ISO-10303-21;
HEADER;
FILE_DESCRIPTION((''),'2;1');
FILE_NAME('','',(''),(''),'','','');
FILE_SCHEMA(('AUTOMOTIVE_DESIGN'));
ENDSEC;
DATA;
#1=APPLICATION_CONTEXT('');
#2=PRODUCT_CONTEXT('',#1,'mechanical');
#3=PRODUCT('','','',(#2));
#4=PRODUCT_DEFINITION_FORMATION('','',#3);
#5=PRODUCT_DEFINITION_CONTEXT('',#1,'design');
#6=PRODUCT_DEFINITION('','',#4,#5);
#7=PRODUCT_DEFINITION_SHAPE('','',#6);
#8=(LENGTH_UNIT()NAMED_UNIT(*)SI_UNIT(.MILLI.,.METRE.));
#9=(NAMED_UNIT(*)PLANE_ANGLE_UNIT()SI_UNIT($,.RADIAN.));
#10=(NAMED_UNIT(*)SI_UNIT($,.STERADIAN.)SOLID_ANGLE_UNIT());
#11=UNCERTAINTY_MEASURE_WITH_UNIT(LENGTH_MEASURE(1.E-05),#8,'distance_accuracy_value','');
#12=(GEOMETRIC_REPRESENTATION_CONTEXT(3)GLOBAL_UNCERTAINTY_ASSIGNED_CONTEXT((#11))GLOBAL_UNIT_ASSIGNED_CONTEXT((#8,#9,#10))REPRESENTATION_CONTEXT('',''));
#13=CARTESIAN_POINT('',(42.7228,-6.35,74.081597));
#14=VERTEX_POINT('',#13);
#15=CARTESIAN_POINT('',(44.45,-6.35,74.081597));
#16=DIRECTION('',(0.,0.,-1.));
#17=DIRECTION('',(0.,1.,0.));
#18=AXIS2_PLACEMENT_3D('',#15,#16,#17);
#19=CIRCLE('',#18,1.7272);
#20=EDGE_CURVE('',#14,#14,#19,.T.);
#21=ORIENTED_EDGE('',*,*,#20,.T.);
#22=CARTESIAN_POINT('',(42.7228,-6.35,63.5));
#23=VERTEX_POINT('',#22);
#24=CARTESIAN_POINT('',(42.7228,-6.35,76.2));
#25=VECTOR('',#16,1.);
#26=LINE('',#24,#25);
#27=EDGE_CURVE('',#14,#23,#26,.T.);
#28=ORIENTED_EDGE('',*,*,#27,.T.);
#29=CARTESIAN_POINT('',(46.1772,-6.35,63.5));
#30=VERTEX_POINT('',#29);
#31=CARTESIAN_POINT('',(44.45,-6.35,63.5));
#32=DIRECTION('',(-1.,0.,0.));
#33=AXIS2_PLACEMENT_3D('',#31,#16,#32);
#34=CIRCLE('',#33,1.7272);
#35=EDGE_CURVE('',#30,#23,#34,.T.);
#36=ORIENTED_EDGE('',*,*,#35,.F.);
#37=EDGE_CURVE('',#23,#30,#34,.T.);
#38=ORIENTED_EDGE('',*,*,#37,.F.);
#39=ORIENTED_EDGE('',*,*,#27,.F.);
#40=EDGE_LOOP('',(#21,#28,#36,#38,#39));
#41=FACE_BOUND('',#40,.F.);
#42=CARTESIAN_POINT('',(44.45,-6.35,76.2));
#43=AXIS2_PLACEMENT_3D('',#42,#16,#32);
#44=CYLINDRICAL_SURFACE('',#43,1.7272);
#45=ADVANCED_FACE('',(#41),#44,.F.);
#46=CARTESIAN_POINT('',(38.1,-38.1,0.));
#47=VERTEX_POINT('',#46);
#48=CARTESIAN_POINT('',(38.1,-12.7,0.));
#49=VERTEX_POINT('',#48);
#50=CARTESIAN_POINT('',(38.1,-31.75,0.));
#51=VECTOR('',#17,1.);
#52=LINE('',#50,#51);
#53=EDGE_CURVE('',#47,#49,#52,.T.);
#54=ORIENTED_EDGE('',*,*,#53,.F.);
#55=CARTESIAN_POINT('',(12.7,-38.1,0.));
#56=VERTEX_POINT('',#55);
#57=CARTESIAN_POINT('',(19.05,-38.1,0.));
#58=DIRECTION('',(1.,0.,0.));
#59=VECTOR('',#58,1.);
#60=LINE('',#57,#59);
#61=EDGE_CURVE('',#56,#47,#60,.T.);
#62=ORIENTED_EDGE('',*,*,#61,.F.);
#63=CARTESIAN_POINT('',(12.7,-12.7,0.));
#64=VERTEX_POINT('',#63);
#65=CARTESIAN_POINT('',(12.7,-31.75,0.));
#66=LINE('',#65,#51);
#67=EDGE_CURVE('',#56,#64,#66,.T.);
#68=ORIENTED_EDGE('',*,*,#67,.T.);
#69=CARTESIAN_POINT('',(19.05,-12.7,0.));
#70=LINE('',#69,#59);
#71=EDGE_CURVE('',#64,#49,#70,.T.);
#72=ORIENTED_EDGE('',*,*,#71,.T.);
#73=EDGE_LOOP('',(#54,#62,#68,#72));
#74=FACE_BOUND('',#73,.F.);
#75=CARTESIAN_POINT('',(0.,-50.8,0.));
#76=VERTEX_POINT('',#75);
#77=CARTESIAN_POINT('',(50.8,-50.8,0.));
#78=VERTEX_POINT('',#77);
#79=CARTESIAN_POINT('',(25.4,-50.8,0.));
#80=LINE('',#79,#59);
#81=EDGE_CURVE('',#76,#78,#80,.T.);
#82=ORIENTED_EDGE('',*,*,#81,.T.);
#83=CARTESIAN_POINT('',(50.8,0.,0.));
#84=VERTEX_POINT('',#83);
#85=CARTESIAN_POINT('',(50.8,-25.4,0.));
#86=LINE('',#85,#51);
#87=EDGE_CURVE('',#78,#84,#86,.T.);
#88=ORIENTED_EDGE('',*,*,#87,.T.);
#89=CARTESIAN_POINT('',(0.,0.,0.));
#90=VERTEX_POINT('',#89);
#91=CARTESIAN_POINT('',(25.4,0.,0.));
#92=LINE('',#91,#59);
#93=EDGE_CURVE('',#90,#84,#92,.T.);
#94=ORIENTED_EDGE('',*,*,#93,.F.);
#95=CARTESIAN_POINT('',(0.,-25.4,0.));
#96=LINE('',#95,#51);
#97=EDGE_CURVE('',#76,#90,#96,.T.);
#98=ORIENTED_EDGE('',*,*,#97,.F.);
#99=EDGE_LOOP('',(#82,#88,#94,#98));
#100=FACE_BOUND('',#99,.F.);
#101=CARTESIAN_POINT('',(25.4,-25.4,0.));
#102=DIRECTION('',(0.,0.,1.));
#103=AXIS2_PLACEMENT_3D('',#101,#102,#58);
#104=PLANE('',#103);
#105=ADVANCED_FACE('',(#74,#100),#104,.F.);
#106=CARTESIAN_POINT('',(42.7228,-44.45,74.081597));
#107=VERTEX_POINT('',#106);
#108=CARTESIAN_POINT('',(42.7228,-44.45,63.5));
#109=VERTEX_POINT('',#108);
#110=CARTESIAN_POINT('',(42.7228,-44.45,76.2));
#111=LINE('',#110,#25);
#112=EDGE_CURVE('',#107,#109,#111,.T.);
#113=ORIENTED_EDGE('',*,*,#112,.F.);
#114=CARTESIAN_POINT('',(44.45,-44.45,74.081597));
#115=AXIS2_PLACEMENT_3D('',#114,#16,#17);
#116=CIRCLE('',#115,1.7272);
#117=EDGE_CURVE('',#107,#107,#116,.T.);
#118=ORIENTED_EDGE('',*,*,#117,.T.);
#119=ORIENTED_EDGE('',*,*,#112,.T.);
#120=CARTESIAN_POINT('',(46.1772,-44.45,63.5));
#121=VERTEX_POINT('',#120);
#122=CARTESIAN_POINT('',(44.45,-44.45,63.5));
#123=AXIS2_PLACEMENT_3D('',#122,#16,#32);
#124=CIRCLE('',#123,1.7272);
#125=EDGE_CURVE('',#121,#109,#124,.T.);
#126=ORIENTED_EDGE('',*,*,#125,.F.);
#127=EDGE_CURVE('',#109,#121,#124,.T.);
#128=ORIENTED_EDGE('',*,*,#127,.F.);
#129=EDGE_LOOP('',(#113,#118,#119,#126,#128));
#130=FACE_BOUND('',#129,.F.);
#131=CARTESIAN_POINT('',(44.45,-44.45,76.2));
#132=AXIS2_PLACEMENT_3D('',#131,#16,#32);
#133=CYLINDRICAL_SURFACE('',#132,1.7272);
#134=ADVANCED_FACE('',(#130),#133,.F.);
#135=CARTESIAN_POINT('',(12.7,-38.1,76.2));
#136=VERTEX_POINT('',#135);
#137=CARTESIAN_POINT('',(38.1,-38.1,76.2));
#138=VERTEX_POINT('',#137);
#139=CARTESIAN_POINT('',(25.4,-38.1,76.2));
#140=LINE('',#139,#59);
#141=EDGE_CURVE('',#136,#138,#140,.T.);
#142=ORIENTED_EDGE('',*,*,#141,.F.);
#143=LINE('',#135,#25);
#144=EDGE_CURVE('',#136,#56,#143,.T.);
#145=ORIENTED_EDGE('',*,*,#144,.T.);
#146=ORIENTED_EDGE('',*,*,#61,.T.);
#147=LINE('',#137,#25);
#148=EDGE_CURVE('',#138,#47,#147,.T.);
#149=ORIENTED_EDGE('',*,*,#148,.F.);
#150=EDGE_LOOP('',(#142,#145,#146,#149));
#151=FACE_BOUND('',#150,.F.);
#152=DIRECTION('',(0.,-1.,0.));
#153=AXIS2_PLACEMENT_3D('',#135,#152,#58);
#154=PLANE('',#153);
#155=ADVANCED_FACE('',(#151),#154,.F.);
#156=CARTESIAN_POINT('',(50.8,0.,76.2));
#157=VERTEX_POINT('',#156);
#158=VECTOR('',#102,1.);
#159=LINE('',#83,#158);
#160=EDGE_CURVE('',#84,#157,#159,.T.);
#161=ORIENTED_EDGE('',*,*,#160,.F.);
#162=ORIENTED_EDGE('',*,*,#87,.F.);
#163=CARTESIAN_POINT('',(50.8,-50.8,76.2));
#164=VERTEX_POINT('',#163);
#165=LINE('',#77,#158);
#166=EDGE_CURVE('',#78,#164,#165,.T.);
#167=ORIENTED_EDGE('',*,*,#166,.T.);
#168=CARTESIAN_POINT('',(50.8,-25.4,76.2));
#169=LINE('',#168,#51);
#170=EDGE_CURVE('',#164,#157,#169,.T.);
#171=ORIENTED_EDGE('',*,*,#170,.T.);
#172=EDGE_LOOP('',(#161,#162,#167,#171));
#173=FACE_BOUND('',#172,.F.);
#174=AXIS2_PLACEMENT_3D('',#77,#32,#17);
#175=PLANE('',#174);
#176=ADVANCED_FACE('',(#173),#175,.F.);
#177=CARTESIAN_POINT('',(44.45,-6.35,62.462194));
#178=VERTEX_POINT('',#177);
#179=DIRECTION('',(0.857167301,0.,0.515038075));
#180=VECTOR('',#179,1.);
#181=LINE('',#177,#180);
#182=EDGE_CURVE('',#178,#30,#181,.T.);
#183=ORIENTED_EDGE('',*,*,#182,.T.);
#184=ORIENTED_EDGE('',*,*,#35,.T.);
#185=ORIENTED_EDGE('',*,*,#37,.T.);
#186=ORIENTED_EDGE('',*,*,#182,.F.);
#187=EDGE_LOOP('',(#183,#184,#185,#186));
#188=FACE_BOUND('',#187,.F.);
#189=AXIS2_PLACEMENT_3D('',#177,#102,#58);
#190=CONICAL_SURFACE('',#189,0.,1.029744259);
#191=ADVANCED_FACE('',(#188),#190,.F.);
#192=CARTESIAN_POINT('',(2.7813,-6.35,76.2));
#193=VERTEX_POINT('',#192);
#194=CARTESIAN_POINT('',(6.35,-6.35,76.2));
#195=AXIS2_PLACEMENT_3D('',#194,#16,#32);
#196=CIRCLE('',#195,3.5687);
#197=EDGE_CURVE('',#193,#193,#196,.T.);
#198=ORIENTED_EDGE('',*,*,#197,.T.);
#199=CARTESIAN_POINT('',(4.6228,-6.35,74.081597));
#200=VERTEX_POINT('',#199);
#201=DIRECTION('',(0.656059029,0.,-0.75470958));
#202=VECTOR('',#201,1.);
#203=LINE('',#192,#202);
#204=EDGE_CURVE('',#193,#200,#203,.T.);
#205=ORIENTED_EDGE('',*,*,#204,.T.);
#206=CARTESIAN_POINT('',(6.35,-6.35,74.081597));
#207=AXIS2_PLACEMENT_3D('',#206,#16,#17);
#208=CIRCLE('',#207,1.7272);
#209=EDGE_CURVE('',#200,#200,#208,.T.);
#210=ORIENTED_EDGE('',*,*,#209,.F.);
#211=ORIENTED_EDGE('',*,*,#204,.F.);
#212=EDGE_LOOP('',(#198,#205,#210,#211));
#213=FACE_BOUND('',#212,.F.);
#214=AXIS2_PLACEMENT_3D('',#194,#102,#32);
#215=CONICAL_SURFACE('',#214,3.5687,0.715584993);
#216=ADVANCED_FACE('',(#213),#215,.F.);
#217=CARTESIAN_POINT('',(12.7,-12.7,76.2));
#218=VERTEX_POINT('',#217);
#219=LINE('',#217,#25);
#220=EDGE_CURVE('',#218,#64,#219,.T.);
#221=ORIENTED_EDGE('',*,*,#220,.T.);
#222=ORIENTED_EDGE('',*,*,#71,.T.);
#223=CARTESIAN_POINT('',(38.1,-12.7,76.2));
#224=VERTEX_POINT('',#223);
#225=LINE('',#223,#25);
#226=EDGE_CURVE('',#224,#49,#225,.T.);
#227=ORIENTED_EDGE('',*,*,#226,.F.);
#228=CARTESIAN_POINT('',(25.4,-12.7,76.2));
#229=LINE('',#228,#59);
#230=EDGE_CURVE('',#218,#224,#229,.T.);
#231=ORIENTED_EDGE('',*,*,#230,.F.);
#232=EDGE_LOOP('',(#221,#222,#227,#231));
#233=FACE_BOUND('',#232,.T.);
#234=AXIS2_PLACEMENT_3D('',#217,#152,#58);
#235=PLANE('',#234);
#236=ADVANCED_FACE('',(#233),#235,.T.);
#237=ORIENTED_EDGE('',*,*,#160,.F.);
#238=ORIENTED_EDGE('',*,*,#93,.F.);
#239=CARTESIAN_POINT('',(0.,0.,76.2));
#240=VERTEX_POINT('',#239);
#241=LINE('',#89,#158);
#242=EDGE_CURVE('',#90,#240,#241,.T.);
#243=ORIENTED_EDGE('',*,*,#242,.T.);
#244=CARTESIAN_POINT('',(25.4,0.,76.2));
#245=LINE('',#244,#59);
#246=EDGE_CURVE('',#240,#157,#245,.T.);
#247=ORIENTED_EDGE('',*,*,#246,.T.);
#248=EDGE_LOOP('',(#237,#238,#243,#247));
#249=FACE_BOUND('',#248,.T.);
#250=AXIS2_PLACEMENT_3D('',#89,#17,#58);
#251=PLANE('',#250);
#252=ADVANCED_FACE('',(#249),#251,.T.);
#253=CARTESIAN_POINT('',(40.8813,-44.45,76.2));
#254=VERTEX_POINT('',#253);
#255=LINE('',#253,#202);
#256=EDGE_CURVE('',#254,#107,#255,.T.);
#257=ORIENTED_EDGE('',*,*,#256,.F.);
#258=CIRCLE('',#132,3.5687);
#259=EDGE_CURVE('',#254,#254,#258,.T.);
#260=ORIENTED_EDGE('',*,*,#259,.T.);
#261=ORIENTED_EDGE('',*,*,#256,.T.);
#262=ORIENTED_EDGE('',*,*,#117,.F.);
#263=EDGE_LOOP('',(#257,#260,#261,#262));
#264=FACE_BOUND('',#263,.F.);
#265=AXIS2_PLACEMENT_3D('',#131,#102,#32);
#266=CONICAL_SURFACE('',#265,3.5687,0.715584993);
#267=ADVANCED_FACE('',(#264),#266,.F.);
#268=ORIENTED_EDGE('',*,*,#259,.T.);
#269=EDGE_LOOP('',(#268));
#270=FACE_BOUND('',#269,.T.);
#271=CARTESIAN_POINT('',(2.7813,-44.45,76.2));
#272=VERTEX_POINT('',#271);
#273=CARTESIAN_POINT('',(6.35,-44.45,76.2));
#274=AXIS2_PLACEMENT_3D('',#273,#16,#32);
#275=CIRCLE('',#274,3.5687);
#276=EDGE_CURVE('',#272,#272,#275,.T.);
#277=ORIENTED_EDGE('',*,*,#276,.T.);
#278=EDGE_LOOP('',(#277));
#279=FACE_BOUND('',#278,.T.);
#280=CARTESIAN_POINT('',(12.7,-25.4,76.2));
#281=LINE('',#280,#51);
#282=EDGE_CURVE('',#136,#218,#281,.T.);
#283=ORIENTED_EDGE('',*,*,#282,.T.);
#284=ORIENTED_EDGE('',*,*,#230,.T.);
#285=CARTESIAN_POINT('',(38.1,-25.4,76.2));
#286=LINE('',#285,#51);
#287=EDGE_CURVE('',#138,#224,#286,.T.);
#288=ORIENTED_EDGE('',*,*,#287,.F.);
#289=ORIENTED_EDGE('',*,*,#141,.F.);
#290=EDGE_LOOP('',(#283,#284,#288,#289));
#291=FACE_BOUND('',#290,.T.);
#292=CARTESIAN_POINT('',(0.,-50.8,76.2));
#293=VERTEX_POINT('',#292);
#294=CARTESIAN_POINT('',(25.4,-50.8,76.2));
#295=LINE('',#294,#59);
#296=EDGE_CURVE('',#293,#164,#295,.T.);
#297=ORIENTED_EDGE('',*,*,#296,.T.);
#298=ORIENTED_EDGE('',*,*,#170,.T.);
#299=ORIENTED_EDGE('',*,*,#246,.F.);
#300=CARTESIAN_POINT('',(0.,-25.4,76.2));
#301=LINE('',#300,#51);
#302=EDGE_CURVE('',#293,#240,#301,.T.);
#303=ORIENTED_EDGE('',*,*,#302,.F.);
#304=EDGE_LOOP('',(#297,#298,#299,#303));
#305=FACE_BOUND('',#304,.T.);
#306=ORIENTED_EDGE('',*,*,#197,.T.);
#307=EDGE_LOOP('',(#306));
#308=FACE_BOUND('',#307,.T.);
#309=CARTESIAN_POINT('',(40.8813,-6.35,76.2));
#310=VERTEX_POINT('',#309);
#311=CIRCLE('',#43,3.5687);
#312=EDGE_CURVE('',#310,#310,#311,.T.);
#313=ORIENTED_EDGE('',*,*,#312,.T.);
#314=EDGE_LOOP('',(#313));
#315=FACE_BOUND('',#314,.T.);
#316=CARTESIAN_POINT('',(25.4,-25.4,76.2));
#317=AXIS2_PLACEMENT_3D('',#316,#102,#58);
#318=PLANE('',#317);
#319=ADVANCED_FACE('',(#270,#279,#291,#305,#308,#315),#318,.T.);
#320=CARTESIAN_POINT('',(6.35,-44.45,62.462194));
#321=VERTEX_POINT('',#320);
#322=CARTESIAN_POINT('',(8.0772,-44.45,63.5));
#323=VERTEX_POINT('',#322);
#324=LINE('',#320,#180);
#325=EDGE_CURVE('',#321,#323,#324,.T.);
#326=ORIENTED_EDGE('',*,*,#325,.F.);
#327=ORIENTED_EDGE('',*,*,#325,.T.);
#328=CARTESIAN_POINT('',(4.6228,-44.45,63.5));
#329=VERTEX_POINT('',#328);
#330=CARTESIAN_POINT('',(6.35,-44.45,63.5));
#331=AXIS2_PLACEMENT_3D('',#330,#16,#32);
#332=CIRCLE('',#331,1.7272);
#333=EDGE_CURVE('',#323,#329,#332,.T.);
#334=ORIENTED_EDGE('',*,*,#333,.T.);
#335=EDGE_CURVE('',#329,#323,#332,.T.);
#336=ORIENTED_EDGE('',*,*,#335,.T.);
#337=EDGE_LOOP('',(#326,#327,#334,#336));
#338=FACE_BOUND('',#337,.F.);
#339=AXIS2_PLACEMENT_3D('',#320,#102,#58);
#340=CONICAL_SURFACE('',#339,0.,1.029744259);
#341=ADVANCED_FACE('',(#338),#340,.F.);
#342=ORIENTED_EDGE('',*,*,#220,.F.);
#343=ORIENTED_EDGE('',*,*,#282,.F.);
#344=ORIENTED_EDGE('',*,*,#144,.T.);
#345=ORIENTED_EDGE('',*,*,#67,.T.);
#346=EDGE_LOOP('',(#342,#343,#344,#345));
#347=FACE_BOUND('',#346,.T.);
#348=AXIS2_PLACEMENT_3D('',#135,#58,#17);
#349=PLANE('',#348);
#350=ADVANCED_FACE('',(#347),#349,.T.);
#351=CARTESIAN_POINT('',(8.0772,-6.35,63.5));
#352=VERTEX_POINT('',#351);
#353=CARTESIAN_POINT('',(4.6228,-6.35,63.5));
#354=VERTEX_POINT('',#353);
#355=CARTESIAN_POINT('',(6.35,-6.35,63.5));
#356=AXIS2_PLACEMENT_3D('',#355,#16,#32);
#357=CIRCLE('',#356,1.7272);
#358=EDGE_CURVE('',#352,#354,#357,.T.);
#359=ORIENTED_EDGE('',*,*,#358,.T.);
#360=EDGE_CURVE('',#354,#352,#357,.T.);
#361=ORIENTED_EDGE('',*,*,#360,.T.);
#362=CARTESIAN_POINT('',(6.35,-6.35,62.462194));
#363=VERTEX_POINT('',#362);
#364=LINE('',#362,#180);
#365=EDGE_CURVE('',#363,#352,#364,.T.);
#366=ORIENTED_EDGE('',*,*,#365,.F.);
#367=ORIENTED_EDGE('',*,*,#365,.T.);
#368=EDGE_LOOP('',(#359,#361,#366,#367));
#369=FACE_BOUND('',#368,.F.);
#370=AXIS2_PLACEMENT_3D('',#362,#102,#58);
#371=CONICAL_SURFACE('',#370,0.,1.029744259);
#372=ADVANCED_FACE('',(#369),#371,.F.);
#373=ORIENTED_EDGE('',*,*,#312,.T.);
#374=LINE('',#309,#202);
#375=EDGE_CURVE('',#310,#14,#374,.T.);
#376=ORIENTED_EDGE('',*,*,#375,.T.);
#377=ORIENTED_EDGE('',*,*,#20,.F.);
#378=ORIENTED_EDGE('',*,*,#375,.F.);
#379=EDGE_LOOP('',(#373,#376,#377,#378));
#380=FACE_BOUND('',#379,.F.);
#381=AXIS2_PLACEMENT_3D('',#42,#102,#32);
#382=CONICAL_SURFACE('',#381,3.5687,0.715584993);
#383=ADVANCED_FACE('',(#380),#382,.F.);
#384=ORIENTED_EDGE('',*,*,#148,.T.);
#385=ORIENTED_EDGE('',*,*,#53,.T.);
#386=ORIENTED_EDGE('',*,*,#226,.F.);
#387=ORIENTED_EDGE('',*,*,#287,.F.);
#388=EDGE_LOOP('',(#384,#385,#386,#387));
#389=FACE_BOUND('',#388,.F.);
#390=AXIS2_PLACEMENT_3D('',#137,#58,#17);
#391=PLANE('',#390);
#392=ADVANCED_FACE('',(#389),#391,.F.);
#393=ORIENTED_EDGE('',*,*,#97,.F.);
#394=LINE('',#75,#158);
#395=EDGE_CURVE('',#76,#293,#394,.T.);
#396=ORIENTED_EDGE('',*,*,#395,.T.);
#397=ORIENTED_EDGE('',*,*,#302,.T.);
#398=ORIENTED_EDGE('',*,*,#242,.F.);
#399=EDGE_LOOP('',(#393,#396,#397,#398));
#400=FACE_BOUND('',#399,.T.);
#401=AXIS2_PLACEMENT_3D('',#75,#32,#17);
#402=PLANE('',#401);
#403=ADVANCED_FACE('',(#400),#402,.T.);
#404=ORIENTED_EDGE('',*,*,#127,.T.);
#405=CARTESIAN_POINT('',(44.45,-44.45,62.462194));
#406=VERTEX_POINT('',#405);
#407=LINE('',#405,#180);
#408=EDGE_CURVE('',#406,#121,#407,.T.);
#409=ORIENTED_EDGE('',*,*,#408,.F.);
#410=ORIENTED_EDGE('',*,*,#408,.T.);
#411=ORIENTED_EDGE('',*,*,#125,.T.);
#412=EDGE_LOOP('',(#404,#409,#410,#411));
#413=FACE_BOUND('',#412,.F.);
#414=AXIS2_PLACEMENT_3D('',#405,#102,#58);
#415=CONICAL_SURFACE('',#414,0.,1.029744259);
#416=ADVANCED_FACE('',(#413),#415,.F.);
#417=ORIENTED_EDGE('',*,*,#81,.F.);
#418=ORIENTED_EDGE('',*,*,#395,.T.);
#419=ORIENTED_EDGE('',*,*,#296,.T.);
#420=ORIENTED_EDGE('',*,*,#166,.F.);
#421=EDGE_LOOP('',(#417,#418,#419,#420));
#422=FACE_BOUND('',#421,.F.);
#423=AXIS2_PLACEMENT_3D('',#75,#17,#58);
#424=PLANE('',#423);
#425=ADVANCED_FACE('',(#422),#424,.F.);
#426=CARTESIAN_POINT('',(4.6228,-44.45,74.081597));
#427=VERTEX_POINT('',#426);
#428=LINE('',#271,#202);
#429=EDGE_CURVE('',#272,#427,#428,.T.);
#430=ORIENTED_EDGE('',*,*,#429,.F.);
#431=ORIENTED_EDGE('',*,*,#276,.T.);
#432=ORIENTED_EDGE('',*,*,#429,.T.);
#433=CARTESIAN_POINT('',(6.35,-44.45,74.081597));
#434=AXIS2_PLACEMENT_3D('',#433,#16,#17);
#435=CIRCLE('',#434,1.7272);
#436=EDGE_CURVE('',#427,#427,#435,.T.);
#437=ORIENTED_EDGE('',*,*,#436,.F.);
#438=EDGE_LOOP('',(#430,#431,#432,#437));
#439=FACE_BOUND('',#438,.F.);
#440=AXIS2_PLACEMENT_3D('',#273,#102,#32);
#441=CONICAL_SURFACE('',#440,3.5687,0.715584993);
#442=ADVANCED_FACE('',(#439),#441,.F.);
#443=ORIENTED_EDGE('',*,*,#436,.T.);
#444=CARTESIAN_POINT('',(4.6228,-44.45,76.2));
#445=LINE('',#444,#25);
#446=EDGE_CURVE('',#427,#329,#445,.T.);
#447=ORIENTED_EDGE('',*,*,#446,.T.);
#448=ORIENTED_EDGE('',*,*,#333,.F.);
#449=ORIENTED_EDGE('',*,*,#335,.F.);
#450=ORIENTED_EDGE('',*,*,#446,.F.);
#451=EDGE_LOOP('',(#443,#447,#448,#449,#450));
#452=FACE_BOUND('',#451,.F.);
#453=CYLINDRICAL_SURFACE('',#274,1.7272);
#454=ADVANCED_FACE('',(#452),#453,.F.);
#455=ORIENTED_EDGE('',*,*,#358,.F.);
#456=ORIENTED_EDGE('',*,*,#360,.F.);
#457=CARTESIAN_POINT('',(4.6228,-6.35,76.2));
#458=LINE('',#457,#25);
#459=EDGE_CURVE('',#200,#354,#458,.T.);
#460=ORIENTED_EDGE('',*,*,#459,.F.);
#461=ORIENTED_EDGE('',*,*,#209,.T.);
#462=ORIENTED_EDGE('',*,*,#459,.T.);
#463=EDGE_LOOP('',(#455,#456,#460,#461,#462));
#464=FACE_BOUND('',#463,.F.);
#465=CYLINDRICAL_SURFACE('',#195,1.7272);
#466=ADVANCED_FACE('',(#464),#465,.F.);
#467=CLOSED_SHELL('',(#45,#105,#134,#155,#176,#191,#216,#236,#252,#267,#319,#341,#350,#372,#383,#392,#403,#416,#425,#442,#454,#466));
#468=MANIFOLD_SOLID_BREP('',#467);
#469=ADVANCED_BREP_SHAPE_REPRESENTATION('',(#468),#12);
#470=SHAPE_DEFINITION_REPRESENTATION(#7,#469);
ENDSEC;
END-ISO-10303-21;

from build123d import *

# Parameters (mm, degrees)
F0_W           = 50.8
F0_H           = 50.8
F1_DEPTH       = 76.2
F2_W           = 25.4
F2_H           = 25.4
F3_DEPTH       = 76.201
F5_D           = 3.4544
F5_DEPTH       = 12.7
F5_CSINK_D     = 7.1374
F5_CSINK_ANGLE = 82
F5_TIP         = 1.0378064612


with BuildPart() as f1:
    # F0 (on Top) → F1 (new body)
    with BuildSketch(Plane.XY):
        with Locations((25.4, -25.4)):
            Rectangle(F0_W, F0_H)
    extrude(amount=F1_DEPTH)

    # F2 (on face) → F3 (cut, through all)
    with BuildSketch(Plane.XY.offset(76.2)):
        with Locations((25.4, -25.4)):
            Rectangle(F2_W, F2_H)
    extrude(amount=-F3_DEPTH, mode=Mode.SUBTRACT)

    # F5
    with Locations(Plane.XY.offset(76.2)):
        with Locations((6.35, -6.35), (44.45, -6.35), (44.45, -44.45), (6.35, -44.45)):
            CounterSinkHole(F5_D / 2, F5_CSINK_D / 2, depth=F5_DEPTH, counter_sink_angle=F5_CSINK_ANGLE)
            with Locations((0, 0, -(F5_DEPTH + F5_TIP / 2))):  # 118° drill point
                Cone(0, F5_D / 2, F5_TIP, mode=Mode.SUBTRACT)


solid = f1.part
